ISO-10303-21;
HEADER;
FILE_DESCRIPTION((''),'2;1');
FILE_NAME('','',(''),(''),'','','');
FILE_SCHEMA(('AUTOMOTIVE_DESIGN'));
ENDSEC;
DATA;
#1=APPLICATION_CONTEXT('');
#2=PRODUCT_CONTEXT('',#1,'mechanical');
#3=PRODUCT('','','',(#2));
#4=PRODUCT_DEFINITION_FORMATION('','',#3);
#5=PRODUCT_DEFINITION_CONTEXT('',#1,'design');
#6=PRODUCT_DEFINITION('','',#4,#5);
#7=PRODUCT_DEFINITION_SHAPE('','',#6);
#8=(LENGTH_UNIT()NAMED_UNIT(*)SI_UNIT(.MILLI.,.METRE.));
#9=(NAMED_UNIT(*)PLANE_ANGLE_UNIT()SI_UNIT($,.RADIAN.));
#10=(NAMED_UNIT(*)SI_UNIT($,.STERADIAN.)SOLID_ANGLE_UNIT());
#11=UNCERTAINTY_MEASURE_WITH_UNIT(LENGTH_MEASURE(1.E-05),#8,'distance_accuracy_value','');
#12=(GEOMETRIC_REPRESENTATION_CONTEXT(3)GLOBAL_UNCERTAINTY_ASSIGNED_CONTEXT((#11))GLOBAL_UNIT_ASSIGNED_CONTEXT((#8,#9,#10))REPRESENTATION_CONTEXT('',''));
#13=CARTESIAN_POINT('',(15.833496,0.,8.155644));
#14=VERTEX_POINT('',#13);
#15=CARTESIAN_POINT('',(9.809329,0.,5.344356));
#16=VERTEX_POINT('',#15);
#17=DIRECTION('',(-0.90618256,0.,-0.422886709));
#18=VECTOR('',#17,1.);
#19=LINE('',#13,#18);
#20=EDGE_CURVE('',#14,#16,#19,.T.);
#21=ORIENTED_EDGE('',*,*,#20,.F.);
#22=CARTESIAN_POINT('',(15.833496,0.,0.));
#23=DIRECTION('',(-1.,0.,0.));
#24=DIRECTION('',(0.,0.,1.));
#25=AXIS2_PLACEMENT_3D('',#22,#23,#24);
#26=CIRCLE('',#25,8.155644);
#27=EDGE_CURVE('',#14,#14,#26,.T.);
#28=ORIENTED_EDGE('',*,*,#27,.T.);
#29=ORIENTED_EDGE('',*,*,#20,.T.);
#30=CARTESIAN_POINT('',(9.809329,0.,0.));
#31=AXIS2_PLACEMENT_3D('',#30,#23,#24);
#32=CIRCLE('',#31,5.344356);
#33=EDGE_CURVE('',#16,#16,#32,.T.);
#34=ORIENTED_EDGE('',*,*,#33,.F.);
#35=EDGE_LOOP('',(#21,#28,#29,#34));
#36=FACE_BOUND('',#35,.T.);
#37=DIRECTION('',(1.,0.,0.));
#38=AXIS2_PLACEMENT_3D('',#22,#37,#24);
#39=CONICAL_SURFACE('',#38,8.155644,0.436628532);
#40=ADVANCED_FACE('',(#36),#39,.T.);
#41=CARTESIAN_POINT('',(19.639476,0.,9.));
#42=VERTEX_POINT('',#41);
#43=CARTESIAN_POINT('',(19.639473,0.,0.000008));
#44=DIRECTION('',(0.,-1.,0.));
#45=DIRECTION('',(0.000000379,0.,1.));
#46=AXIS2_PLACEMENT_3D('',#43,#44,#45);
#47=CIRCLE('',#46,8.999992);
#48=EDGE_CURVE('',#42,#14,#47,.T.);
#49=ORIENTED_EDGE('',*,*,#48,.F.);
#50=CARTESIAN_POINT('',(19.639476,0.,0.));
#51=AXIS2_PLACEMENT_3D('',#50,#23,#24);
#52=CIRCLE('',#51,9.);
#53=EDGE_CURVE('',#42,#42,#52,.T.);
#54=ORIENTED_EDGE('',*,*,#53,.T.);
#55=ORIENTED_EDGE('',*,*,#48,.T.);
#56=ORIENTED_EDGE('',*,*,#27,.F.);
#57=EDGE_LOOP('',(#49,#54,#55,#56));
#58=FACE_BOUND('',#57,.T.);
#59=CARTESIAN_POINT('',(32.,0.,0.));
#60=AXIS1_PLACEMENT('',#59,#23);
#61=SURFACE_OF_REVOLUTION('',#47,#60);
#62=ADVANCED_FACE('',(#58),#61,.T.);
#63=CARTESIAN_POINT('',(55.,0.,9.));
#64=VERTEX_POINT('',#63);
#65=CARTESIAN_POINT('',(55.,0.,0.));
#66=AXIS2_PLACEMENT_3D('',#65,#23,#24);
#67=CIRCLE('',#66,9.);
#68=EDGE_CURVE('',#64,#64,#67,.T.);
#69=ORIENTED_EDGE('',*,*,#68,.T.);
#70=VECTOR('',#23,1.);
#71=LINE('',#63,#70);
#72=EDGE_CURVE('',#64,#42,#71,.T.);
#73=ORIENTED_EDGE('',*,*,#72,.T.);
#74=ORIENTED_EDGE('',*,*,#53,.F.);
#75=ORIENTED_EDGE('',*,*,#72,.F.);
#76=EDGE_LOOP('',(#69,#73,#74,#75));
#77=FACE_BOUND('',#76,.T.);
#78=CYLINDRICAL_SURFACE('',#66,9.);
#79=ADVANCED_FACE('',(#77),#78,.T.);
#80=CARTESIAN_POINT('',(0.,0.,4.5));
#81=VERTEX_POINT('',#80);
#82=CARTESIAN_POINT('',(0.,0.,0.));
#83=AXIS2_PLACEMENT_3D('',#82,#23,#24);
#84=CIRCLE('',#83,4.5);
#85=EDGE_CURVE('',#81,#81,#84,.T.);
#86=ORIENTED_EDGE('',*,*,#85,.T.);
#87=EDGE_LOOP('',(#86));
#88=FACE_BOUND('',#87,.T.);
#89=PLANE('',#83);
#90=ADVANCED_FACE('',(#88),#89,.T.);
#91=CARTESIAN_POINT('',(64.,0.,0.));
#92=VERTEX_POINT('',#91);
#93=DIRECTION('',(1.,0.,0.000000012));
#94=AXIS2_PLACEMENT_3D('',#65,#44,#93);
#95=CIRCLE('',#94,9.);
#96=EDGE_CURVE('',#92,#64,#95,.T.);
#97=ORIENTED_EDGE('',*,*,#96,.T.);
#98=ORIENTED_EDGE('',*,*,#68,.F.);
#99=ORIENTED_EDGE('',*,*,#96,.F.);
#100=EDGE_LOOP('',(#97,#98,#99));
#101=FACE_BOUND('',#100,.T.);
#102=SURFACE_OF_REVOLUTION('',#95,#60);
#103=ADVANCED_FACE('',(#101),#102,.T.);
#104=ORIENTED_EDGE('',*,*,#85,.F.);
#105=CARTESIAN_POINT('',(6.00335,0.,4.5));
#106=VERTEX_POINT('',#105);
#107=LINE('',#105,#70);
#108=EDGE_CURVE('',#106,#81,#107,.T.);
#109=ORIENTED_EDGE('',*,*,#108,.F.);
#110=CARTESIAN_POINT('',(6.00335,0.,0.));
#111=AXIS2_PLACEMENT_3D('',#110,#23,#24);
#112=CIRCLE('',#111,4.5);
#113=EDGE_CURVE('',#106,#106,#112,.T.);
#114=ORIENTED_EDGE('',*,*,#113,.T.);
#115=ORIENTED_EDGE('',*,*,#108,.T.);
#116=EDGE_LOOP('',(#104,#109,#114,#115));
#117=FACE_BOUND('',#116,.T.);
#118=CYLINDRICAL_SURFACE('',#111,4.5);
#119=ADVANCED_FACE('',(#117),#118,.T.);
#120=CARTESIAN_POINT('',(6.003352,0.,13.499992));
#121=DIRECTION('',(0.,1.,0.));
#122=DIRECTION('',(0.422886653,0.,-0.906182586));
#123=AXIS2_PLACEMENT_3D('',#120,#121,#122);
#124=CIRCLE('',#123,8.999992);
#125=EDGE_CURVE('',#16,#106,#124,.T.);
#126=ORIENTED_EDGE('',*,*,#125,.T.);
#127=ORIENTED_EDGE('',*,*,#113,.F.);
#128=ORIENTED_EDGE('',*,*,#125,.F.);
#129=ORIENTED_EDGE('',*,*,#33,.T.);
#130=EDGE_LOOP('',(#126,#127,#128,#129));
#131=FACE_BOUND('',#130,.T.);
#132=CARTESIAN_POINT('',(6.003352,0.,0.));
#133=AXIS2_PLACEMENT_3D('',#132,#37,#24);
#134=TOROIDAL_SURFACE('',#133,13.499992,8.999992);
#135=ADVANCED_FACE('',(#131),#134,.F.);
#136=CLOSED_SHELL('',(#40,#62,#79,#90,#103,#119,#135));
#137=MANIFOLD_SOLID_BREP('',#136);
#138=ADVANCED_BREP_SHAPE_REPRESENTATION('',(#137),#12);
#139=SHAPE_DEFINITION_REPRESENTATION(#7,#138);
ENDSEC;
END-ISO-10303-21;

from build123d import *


with BuildPart() as f1:
    # F0 (on Front) → F1 (revolve)
    with BuildSketch(Plane.XZ):
        with BuildLine():
            Line((0, 4.5), (0, 0))
            Line((0, 0), (64, 0))
            ThreePointArc((64, 0), (61.363961, 6.363961), (55, 9))
            Line((55, 9), (19.639476, 9))
            ThreePointArc((19.639476, 9), (17.690218, 8.786376), (15.833496, 8.155644))
            Line((15.833496, 8.155644), (9.809329, 5.344356))
            ThreePointArc((9.809329, 5.344356), (7.952607, 4.713624), (6.00335, 4.5))
            Line((6.00335, 4.5), (0, 4.5))
        make_face()
    revolve(axis=Axis((32, 0, 0), (-1, 0, 0)))


solid = f1.part
